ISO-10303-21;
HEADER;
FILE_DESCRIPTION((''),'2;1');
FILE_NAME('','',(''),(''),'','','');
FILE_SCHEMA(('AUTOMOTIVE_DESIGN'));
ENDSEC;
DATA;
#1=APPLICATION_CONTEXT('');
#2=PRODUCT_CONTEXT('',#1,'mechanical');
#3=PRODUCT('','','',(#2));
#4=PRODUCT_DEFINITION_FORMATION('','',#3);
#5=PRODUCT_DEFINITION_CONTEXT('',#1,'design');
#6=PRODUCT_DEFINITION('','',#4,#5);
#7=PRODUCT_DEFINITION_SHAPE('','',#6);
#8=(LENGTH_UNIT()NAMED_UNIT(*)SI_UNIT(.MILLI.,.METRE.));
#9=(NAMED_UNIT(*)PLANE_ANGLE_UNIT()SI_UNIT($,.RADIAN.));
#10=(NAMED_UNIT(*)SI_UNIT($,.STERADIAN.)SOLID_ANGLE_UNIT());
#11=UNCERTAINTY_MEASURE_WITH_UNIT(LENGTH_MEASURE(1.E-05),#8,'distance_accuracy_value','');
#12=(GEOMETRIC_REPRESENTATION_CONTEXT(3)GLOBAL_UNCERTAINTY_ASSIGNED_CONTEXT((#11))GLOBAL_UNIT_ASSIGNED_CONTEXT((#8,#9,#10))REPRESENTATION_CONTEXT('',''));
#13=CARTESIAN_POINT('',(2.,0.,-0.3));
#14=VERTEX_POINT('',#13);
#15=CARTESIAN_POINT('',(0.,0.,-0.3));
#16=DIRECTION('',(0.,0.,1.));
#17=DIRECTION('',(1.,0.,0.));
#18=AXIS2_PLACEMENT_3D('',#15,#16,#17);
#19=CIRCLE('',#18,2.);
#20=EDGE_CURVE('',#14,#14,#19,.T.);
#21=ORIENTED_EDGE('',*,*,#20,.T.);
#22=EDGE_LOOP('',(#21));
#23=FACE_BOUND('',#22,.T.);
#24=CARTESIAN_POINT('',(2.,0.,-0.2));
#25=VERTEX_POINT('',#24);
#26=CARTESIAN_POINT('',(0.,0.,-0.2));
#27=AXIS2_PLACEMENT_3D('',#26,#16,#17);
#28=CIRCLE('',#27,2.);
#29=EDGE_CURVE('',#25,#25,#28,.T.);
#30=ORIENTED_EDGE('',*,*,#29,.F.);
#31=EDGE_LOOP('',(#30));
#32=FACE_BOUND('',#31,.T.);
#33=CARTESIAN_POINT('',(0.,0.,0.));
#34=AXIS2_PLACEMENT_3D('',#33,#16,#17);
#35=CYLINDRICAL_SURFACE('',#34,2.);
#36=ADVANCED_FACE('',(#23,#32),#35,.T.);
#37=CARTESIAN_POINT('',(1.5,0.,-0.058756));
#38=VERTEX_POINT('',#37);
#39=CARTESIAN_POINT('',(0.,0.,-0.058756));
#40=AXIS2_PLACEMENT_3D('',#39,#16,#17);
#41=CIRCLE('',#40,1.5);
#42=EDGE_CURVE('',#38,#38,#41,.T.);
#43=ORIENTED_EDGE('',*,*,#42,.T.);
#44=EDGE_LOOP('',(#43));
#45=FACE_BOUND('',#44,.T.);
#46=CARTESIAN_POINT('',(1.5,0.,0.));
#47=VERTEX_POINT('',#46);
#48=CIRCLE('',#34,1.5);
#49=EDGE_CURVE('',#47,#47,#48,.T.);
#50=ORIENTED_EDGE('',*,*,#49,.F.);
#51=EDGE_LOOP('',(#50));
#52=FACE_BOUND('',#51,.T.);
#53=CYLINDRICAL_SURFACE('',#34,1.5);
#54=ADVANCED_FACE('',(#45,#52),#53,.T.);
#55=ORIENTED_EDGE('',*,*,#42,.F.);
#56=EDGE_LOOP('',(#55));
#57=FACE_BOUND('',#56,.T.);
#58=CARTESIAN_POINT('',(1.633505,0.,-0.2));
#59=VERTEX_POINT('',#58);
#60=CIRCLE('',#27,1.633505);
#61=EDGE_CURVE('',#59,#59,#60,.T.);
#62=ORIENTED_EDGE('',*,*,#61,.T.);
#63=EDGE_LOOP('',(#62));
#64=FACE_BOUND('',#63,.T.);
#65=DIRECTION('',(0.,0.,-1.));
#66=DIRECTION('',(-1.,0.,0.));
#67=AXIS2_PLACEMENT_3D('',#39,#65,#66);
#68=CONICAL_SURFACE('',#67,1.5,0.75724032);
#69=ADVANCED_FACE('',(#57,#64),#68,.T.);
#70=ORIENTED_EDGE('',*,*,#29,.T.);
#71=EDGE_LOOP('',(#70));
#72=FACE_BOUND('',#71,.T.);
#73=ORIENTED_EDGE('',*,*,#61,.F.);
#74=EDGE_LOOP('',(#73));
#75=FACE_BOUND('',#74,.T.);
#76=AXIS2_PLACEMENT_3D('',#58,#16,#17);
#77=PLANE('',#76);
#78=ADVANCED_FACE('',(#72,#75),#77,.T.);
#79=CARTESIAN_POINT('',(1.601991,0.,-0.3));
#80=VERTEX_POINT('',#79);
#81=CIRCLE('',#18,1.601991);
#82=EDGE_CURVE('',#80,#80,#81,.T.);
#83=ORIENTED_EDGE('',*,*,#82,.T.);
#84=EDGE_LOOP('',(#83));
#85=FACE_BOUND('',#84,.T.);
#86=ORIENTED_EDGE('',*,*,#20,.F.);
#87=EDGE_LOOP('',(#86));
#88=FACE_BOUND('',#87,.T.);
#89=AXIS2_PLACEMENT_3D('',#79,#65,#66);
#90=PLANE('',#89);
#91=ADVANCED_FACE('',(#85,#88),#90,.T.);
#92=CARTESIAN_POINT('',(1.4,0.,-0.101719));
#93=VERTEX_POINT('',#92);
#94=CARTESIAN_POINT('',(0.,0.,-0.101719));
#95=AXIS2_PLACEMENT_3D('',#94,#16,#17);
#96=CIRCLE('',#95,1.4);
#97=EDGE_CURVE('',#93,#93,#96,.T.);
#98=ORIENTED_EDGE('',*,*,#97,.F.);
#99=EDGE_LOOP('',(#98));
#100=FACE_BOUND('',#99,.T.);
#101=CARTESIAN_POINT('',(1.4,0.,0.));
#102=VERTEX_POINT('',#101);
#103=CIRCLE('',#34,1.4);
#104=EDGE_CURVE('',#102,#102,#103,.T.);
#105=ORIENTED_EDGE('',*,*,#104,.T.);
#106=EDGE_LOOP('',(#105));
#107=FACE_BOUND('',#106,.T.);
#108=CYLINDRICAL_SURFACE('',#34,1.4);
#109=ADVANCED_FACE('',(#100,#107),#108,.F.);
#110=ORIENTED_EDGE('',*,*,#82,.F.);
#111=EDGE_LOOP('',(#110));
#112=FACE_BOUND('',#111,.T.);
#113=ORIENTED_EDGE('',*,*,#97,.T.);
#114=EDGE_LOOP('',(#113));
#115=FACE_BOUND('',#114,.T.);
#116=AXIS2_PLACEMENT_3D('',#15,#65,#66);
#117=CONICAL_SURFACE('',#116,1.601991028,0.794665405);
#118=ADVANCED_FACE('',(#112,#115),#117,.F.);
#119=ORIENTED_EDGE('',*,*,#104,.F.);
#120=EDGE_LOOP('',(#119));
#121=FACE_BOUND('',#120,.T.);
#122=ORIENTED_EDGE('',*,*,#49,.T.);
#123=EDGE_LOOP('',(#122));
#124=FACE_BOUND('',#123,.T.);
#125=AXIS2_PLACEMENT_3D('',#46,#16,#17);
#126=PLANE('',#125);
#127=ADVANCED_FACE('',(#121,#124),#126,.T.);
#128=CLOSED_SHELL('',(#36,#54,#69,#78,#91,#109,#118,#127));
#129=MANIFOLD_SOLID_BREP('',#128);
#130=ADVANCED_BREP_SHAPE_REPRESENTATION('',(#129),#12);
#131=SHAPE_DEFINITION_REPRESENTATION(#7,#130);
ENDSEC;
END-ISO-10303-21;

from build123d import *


with BuildPart() as part:
    # Sketch1 → Revolve1 (revolve)
    with BuildSketch(Plane(origin=(0, 0, 0), x_dir=(1, 0, 0), z_dir=(0, 1, 0))):
        Polygon((1.5, 0), (1.5, 0.058756175), (1.633505434, 0.2), (2, 0.2), (2, 0.3), (1.601991028, 0.3), (1.4, 0.101718501), (1.4, 0), align=None)
    revolve(axis=Axis((0, 0, 0), (0, 0, -1)))


solid = part.part
